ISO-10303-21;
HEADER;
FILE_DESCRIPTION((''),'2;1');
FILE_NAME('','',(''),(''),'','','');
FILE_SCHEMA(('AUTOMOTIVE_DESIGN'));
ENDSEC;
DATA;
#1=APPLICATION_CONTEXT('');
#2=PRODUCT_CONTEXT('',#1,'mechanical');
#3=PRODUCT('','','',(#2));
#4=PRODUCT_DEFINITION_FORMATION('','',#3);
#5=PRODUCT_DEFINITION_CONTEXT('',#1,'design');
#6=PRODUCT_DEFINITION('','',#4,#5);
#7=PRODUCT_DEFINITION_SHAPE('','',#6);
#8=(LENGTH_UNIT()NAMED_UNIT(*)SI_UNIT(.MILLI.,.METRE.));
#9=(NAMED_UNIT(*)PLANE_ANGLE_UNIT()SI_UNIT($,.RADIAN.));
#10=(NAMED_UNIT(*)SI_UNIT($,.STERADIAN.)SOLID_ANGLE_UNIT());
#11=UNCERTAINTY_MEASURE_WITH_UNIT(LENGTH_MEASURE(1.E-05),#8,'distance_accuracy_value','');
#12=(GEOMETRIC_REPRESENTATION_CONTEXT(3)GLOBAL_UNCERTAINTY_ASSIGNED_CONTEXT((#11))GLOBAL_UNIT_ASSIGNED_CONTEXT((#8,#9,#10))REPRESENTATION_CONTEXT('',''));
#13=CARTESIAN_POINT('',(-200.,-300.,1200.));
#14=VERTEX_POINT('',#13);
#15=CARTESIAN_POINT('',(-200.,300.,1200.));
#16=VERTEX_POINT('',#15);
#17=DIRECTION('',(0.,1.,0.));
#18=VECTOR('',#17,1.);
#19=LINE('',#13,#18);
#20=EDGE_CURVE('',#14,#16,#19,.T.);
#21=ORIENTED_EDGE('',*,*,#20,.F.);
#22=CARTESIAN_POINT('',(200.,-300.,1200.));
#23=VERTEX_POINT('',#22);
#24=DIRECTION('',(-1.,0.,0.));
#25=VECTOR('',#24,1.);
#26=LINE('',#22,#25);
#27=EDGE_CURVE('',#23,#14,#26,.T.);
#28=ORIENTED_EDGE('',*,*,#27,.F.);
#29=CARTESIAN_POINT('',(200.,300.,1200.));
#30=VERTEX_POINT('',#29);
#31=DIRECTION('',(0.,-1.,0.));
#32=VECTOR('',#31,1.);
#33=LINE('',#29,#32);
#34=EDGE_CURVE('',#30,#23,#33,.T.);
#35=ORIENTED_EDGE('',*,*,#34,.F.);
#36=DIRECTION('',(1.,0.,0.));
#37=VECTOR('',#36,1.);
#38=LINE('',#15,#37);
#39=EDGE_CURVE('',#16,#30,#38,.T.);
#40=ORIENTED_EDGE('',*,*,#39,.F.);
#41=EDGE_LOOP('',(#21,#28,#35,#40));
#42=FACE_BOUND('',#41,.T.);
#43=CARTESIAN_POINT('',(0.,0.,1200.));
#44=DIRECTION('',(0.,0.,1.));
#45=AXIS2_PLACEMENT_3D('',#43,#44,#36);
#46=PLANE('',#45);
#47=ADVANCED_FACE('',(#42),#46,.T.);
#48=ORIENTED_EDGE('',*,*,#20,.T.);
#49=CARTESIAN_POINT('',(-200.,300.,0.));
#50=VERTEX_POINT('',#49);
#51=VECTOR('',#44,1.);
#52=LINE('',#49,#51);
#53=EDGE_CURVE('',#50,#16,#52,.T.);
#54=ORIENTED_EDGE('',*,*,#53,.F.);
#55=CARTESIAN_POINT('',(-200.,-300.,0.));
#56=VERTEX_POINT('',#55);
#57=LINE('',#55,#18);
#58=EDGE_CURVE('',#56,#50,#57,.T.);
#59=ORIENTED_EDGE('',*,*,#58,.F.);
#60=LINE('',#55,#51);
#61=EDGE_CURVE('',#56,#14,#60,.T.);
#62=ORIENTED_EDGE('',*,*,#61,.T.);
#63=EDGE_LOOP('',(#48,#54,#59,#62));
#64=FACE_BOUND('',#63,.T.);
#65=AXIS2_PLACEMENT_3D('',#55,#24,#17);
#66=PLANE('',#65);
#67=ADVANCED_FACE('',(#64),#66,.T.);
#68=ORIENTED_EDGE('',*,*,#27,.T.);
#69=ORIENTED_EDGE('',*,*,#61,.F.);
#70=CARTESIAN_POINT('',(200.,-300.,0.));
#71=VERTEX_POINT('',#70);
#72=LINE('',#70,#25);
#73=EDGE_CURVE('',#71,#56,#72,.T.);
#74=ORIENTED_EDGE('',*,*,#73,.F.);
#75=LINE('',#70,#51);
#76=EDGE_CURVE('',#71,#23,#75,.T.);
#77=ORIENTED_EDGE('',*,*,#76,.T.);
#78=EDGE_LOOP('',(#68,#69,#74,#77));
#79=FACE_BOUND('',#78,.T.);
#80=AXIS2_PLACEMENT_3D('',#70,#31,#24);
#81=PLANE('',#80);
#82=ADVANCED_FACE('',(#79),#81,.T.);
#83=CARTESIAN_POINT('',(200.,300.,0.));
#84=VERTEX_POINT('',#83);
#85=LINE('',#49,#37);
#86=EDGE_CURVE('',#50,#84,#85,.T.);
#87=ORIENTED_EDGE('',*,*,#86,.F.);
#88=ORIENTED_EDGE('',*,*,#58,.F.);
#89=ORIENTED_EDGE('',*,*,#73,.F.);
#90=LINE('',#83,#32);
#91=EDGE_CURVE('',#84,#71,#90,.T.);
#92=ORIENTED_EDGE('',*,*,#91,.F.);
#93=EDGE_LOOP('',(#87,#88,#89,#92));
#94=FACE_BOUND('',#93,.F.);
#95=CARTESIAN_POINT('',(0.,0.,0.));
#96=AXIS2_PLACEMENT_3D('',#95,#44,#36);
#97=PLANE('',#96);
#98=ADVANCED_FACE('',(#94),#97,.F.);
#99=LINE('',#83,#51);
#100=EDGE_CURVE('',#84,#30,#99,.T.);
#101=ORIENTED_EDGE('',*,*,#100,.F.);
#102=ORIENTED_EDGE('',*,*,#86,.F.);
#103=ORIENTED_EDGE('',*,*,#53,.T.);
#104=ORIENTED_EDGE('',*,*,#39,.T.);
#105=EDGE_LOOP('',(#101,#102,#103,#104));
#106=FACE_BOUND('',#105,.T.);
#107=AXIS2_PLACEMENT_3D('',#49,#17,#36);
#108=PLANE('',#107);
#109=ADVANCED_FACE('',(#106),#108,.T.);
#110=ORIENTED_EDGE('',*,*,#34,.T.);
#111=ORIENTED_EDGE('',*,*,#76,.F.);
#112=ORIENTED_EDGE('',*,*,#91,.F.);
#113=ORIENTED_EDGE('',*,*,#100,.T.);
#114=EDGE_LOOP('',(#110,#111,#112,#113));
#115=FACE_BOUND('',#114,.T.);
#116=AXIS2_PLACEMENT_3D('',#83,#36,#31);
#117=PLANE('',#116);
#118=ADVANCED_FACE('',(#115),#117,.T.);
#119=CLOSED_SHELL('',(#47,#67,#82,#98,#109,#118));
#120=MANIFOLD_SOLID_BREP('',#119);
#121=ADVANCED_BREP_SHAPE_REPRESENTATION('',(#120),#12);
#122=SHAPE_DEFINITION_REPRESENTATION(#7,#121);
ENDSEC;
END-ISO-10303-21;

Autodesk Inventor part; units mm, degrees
ref_plane "YZ Plane" through (0, 0, 0) normal (1, 0, 0) x (0, 1, 0)
ref_plane "XZ Plane" through (0, 0, 0) normal (0, 1, 0) x (-1, 0, 0)
ref_plane "XY Plane" through (0, 0, 0) normal (0, 0, 1) x (1, 0, 0)
sketch "Sketch1" plane through (0, 0, 0) normal (0, 0, 1) x (1, 0, 0)
  line L0 (-200, 300) -> (200, 300)
  line L1 (200, 300) -> (200, -300)
  line L2 (200, -300) -> (-200, -300)
  line L3 (-200, -300) -> (-200, 300)
  line L4 (-200, -300) -> (200, 300) construction
  point P0 (0, 0)
  point P1 (0, 0)
  dimension "d0" = 400
  dimension "d1" = 600
extrude "Extrusion1" add sketch "Sketch1" along normal blind 1200
equation "\"d0\" = Длина"
equation "\"d1\" = Ширина"
equation "\"d2\" = Высота"
equation "\"Длина\" = 400"
equation "\"Ширина\" = 600"
equation "\"Высота\" = 1200"
properties part number "GPHN barrel"
